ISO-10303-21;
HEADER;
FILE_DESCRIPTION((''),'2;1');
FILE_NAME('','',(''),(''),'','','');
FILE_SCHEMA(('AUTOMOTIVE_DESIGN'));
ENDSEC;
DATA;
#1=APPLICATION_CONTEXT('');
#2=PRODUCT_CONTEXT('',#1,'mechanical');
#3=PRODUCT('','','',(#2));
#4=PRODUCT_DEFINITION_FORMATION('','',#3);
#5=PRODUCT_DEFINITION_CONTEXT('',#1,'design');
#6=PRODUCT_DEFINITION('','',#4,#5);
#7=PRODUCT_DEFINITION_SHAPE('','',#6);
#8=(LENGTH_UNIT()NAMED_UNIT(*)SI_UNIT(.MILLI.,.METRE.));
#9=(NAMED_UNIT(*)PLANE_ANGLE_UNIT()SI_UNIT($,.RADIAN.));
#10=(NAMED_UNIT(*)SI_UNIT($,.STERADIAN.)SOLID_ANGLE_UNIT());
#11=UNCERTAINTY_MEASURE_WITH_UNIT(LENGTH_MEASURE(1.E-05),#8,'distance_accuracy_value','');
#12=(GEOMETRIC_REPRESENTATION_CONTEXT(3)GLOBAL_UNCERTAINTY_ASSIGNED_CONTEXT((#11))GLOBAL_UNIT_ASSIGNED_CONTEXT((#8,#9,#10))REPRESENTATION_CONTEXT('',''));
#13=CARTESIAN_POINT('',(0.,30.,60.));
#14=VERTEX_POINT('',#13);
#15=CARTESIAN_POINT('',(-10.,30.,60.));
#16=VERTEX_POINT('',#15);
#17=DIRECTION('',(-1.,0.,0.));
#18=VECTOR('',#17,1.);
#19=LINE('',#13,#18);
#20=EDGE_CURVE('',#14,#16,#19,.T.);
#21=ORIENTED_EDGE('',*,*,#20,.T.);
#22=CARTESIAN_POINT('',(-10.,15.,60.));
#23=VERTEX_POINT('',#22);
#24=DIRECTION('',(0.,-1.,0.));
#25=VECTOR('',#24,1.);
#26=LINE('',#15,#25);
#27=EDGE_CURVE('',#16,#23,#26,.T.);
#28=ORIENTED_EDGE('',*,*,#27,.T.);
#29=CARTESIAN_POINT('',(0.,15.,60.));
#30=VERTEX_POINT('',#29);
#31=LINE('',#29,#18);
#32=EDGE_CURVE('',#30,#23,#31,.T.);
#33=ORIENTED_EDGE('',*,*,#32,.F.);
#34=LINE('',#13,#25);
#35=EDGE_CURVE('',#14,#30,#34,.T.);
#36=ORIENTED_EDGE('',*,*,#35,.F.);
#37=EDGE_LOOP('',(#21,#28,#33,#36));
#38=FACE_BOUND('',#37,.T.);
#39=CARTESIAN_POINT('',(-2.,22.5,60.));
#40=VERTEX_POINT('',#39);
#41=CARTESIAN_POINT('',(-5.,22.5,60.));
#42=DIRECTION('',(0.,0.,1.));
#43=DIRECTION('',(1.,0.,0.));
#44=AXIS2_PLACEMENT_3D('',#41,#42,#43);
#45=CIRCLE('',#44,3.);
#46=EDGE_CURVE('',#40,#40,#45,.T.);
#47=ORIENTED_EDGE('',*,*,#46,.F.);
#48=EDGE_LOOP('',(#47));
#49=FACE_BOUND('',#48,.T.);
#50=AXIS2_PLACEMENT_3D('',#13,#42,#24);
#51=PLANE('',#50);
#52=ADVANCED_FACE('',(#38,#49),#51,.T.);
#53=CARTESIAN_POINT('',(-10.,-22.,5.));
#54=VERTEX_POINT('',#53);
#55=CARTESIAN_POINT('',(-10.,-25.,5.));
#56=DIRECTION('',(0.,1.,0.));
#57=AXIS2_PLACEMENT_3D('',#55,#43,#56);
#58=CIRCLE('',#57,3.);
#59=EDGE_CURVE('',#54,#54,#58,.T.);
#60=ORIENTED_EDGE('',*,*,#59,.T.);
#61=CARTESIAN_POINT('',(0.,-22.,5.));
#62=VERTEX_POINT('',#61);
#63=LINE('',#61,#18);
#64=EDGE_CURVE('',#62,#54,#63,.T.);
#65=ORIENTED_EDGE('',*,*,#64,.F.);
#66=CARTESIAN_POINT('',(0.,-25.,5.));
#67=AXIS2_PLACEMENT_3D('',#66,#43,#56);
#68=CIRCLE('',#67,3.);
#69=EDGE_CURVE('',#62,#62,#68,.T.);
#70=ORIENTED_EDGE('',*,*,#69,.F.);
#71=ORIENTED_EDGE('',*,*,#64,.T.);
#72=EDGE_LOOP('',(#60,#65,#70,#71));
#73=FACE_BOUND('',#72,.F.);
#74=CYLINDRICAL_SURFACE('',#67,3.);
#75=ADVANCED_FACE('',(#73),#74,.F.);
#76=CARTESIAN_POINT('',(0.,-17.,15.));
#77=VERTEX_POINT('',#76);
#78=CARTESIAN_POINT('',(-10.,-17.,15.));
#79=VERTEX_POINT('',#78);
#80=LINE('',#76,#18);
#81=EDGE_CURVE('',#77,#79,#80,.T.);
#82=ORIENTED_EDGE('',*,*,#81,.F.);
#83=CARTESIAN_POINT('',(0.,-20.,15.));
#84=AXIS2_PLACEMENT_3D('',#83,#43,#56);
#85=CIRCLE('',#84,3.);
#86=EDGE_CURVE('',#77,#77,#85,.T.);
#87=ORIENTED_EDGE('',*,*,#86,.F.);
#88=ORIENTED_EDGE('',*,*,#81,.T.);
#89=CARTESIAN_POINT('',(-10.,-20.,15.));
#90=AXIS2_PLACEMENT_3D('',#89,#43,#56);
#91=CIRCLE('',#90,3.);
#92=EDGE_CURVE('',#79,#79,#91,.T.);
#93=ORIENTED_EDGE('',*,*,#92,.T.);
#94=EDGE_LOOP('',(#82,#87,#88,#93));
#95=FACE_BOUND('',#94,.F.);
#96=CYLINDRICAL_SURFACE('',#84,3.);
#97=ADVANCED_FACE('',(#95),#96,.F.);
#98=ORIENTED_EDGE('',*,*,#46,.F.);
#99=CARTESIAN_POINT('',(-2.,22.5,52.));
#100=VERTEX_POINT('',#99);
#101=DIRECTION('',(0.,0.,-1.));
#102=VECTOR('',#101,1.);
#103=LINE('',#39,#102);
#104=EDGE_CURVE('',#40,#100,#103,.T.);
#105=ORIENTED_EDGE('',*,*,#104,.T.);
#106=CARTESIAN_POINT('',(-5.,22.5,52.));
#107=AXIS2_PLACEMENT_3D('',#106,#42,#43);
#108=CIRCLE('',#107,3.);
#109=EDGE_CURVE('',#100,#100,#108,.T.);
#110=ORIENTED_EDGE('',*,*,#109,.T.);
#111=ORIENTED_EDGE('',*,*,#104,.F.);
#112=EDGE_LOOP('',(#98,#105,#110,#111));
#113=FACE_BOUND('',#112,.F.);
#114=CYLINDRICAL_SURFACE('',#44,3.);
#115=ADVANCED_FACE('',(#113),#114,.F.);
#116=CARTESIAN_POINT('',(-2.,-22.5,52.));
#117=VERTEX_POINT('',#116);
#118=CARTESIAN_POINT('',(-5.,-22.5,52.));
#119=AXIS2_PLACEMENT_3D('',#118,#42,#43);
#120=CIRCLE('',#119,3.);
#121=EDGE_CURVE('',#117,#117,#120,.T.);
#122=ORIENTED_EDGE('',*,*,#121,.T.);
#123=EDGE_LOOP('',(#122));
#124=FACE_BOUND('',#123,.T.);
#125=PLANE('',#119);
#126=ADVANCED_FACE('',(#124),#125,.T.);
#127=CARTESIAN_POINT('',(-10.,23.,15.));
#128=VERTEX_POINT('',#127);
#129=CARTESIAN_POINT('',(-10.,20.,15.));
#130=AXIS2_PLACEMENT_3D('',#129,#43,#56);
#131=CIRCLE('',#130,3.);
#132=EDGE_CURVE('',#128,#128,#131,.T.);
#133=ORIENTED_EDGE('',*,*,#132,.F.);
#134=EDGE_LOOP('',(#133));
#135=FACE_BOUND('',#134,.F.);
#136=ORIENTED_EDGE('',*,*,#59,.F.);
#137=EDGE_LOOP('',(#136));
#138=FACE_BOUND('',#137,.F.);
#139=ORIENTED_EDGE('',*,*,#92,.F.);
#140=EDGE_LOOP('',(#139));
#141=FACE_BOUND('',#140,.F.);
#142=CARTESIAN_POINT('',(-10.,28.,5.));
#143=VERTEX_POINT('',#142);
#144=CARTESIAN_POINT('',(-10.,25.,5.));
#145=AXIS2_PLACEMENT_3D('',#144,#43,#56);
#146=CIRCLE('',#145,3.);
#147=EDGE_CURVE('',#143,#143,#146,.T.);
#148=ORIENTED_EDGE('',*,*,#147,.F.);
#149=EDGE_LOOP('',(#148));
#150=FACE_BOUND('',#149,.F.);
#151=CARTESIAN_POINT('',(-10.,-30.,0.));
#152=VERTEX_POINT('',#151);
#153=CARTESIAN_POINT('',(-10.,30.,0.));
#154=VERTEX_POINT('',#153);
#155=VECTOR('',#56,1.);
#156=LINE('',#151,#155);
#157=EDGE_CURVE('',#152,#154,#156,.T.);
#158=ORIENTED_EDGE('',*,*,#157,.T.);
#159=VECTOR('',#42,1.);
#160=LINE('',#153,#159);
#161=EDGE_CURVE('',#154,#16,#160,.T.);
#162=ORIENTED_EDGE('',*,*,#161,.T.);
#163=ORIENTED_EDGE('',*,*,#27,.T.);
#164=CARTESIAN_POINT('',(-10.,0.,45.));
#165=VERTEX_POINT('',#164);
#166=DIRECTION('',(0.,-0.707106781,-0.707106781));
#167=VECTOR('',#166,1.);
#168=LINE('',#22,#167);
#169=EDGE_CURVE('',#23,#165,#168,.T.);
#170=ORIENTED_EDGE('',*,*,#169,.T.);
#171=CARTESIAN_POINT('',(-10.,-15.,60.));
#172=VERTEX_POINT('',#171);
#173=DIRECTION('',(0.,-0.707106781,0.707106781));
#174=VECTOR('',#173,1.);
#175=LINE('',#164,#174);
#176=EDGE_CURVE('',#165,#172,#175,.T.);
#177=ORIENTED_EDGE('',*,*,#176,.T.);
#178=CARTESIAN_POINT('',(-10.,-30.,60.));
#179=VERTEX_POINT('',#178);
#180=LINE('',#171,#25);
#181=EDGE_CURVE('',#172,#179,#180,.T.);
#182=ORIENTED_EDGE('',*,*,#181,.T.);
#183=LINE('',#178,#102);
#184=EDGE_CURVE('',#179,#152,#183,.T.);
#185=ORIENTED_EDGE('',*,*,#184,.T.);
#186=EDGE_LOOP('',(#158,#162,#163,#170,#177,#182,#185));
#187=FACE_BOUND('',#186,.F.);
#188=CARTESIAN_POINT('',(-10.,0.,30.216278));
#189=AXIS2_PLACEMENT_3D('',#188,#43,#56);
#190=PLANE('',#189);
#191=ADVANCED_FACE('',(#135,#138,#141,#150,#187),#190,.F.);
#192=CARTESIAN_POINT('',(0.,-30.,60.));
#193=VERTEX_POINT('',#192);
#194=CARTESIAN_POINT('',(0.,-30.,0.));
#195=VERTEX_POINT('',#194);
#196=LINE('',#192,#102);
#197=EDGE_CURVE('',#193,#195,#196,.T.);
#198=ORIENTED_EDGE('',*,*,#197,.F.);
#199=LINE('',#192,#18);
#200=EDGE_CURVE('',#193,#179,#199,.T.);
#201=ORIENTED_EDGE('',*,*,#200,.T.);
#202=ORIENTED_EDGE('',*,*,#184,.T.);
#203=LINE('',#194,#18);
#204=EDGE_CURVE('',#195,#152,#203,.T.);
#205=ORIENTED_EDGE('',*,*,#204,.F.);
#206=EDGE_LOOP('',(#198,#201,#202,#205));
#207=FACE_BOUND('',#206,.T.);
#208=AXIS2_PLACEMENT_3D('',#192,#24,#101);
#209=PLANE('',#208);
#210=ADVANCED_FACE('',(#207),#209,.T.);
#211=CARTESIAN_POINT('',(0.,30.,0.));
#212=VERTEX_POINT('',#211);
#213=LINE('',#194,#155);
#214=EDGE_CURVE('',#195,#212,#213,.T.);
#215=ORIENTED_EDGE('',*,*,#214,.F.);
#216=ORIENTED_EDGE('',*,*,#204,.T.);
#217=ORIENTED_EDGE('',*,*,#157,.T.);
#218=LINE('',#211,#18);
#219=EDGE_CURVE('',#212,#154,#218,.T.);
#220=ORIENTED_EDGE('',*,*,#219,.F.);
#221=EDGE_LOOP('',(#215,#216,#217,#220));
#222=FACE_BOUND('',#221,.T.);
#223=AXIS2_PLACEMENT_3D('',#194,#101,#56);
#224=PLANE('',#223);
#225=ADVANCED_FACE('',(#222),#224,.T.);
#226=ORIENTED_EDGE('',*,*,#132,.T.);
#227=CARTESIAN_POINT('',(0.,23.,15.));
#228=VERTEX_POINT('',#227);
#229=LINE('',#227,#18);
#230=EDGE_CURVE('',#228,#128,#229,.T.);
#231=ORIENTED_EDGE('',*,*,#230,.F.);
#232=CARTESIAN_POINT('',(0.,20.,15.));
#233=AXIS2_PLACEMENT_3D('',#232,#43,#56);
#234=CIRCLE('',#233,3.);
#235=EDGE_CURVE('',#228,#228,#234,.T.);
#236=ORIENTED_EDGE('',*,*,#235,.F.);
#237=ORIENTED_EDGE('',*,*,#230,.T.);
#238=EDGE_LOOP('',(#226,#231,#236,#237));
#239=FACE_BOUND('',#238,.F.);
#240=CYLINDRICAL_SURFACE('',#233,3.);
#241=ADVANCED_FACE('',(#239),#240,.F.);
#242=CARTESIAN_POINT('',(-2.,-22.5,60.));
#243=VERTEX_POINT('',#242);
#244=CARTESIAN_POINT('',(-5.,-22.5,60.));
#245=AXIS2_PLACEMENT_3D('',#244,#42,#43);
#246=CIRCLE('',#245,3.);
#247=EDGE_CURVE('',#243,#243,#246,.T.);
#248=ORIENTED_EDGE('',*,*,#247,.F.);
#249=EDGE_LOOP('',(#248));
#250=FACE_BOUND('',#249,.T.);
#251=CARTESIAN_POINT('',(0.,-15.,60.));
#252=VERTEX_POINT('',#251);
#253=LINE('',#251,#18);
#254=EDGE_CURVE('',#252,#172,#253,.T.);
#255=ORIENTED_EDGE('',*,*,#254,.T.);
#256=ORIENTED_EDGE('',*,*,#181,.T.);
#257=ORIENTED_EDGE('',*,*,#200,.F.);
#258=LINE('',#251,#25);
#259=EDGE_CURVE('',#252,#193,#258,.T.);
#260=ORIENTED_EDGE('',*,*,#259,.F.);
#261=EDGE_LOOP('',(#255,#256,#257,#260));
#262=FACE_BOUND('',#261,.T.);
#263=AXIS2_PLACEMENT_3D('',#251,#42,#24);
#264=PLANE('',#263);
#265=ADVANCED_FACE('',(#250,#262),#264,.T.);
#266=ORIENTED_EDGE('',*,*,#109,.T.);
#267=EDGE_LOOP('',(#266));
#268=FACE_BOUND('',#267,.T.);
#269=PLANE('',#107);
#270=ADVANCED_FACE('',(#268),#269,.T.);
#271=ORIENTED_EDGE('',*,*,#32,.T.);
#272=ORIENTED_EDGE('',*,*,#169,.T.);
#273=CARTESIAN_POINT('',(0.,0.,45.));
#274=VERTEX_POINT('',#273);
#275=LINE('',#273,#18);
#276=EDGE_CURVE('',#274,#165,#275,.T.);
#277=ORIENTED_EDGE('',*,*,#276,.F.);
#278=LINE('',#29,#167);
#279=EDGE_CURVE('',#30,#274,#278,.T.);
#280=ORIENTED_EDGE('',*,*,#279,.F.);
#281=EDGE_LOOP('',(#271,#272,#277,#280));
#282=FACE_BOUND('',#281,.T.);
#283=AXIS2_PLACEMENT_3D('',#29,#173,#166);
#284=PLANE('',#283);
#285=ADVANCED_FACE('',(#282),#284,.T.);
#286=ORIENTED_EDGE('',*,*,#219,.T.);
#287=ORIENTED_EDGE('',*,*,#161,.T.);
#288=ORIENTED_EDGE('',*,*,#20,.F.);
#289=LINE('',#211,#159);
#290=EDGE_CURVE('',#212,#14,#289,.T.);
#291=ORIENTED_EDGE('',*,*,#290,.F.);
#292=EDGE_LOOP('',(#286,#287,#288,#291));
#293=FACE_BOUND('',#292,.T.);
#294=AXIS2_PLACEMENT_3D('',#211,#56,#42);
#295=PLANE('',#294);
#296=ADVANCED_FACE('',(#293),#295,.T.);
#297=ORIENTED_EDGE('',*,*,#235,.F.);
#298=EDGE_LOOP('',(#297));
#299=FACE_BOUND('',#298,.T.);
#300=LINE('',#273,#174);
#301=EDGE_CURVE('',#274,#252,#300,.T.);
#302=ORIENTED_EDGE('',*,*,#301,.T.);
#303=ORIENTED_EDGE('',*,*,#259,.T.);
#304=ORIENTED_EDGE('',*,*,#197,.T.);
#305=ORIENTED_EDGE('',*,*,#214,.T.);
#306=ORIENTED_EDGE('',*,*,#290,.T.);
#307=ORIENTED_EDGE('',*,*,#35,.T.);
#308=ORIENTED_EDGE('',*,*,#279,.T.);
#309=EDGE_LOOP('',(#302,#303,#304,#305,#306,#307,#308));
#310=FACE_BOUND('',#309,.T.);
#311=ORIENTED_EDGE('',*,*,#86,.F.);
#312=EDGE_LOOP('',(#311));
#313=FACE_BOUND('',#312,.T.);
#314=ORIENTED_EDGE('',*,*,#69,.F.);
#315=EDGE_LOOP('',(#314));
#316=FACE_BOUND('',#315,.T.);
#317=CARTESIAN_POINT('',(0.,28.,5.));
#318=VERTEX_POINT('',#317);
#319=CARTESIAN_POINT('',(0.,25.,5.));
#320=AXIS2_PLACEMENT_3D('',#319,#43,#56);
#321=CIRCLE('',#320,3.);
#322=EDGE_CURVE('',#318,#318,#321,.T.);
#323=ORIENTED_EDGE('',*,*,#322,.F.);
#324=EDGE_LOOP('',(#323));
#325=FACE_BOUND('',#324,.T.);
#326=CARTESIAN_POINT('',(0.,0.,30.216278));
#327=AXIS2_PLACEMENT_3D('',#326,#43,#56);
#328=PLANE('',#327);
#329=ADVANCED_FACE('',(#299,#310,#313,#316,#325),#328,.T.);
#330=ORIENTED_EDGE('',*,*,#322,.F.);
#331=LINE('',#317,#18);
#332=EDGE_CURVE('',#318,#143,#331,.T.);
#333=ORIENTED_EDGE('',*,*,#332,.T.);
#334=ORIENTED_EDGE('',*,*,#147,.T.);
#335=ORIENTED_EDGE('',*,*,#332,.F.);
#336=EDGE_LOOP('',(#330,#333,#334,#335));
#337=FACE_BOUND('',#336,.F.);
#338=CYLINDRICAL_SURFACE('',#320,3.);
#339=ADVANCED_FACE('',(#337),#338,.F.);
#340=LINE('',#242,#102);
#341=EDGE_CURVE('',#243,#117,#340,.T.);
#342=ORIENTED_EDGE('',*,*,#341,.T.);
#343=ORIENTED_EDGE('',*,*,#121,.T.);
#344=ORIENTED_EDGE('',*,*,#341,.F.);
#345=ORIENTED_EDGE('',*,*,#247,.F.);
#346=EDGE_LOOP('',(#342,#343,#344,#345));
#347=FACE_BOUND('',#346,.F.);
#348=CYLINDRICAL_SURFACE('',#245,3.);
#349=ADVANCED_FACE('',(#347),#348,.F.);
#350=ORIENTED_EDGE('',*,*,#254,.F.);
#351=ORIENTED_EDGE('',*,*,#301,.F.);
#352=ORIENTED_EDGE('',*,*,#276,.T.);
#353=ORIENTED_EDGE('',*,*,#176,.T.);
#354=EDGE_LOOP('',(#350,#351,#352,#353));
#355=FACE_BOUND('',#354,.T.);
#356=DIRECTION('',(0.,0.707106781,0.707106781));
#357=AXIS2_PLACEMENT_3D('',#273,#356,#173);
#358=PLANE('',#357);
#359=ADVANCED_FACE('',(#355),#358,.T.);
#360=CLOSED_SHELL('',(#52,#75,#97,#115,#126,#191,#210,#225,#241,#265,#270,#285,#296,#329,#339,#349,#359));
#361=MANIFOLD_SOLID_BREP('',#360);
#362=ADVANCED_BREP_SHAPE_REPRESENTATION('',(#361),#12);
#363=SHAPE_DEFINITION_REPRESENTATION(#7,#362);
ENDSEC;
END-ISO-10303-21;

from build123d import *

# Parameters (mm, degrees)
F0_R     = 3
F1_DEPTH = 10
F2_R     = 3
F3_R     = 3
F4_DEPTH = 8


with BuildPart() as f1:
    # F0 (on Right) → F1 (new body)
    with BuildSketch(Plane.YZ):
        Polygon((-30, 60), (-30, 0), (30, 0), (30, 60), (15, 60), (0, 45), (-15, 60), align=None)
        with Locations((-25, 5)):
            Circle(F0_R, mode=Mode.SUBTRACT)
        with Locations((-20, 15)):
            Circle(F0_R, mode=Mode.SUBTRACT)
        with Locations((25, 5)):
            Circle(F0_R, mode=Mode.SUBTRACT)
        with Locations((20, 15)):
            Circle(F0_R, mode=Mode.SUBTRACT)
    extrude(amount=-F1_DEPTH)

    # F2 (on face) + F3 (on face) → F4 (cut)
    with BuildSketch(Plane.XY.offset(60)):
        with Locations((-5, -22.5)):
            Circle(F2_R)
    with BuildSketch(Plane.XY.offset(60)):
        with Locations((-5, 22.5)):
            Circle(F3_R)
    extrude(amount=-F4_DEPTH, mode=Mode.SUBTRACT)


solid = f1.part
